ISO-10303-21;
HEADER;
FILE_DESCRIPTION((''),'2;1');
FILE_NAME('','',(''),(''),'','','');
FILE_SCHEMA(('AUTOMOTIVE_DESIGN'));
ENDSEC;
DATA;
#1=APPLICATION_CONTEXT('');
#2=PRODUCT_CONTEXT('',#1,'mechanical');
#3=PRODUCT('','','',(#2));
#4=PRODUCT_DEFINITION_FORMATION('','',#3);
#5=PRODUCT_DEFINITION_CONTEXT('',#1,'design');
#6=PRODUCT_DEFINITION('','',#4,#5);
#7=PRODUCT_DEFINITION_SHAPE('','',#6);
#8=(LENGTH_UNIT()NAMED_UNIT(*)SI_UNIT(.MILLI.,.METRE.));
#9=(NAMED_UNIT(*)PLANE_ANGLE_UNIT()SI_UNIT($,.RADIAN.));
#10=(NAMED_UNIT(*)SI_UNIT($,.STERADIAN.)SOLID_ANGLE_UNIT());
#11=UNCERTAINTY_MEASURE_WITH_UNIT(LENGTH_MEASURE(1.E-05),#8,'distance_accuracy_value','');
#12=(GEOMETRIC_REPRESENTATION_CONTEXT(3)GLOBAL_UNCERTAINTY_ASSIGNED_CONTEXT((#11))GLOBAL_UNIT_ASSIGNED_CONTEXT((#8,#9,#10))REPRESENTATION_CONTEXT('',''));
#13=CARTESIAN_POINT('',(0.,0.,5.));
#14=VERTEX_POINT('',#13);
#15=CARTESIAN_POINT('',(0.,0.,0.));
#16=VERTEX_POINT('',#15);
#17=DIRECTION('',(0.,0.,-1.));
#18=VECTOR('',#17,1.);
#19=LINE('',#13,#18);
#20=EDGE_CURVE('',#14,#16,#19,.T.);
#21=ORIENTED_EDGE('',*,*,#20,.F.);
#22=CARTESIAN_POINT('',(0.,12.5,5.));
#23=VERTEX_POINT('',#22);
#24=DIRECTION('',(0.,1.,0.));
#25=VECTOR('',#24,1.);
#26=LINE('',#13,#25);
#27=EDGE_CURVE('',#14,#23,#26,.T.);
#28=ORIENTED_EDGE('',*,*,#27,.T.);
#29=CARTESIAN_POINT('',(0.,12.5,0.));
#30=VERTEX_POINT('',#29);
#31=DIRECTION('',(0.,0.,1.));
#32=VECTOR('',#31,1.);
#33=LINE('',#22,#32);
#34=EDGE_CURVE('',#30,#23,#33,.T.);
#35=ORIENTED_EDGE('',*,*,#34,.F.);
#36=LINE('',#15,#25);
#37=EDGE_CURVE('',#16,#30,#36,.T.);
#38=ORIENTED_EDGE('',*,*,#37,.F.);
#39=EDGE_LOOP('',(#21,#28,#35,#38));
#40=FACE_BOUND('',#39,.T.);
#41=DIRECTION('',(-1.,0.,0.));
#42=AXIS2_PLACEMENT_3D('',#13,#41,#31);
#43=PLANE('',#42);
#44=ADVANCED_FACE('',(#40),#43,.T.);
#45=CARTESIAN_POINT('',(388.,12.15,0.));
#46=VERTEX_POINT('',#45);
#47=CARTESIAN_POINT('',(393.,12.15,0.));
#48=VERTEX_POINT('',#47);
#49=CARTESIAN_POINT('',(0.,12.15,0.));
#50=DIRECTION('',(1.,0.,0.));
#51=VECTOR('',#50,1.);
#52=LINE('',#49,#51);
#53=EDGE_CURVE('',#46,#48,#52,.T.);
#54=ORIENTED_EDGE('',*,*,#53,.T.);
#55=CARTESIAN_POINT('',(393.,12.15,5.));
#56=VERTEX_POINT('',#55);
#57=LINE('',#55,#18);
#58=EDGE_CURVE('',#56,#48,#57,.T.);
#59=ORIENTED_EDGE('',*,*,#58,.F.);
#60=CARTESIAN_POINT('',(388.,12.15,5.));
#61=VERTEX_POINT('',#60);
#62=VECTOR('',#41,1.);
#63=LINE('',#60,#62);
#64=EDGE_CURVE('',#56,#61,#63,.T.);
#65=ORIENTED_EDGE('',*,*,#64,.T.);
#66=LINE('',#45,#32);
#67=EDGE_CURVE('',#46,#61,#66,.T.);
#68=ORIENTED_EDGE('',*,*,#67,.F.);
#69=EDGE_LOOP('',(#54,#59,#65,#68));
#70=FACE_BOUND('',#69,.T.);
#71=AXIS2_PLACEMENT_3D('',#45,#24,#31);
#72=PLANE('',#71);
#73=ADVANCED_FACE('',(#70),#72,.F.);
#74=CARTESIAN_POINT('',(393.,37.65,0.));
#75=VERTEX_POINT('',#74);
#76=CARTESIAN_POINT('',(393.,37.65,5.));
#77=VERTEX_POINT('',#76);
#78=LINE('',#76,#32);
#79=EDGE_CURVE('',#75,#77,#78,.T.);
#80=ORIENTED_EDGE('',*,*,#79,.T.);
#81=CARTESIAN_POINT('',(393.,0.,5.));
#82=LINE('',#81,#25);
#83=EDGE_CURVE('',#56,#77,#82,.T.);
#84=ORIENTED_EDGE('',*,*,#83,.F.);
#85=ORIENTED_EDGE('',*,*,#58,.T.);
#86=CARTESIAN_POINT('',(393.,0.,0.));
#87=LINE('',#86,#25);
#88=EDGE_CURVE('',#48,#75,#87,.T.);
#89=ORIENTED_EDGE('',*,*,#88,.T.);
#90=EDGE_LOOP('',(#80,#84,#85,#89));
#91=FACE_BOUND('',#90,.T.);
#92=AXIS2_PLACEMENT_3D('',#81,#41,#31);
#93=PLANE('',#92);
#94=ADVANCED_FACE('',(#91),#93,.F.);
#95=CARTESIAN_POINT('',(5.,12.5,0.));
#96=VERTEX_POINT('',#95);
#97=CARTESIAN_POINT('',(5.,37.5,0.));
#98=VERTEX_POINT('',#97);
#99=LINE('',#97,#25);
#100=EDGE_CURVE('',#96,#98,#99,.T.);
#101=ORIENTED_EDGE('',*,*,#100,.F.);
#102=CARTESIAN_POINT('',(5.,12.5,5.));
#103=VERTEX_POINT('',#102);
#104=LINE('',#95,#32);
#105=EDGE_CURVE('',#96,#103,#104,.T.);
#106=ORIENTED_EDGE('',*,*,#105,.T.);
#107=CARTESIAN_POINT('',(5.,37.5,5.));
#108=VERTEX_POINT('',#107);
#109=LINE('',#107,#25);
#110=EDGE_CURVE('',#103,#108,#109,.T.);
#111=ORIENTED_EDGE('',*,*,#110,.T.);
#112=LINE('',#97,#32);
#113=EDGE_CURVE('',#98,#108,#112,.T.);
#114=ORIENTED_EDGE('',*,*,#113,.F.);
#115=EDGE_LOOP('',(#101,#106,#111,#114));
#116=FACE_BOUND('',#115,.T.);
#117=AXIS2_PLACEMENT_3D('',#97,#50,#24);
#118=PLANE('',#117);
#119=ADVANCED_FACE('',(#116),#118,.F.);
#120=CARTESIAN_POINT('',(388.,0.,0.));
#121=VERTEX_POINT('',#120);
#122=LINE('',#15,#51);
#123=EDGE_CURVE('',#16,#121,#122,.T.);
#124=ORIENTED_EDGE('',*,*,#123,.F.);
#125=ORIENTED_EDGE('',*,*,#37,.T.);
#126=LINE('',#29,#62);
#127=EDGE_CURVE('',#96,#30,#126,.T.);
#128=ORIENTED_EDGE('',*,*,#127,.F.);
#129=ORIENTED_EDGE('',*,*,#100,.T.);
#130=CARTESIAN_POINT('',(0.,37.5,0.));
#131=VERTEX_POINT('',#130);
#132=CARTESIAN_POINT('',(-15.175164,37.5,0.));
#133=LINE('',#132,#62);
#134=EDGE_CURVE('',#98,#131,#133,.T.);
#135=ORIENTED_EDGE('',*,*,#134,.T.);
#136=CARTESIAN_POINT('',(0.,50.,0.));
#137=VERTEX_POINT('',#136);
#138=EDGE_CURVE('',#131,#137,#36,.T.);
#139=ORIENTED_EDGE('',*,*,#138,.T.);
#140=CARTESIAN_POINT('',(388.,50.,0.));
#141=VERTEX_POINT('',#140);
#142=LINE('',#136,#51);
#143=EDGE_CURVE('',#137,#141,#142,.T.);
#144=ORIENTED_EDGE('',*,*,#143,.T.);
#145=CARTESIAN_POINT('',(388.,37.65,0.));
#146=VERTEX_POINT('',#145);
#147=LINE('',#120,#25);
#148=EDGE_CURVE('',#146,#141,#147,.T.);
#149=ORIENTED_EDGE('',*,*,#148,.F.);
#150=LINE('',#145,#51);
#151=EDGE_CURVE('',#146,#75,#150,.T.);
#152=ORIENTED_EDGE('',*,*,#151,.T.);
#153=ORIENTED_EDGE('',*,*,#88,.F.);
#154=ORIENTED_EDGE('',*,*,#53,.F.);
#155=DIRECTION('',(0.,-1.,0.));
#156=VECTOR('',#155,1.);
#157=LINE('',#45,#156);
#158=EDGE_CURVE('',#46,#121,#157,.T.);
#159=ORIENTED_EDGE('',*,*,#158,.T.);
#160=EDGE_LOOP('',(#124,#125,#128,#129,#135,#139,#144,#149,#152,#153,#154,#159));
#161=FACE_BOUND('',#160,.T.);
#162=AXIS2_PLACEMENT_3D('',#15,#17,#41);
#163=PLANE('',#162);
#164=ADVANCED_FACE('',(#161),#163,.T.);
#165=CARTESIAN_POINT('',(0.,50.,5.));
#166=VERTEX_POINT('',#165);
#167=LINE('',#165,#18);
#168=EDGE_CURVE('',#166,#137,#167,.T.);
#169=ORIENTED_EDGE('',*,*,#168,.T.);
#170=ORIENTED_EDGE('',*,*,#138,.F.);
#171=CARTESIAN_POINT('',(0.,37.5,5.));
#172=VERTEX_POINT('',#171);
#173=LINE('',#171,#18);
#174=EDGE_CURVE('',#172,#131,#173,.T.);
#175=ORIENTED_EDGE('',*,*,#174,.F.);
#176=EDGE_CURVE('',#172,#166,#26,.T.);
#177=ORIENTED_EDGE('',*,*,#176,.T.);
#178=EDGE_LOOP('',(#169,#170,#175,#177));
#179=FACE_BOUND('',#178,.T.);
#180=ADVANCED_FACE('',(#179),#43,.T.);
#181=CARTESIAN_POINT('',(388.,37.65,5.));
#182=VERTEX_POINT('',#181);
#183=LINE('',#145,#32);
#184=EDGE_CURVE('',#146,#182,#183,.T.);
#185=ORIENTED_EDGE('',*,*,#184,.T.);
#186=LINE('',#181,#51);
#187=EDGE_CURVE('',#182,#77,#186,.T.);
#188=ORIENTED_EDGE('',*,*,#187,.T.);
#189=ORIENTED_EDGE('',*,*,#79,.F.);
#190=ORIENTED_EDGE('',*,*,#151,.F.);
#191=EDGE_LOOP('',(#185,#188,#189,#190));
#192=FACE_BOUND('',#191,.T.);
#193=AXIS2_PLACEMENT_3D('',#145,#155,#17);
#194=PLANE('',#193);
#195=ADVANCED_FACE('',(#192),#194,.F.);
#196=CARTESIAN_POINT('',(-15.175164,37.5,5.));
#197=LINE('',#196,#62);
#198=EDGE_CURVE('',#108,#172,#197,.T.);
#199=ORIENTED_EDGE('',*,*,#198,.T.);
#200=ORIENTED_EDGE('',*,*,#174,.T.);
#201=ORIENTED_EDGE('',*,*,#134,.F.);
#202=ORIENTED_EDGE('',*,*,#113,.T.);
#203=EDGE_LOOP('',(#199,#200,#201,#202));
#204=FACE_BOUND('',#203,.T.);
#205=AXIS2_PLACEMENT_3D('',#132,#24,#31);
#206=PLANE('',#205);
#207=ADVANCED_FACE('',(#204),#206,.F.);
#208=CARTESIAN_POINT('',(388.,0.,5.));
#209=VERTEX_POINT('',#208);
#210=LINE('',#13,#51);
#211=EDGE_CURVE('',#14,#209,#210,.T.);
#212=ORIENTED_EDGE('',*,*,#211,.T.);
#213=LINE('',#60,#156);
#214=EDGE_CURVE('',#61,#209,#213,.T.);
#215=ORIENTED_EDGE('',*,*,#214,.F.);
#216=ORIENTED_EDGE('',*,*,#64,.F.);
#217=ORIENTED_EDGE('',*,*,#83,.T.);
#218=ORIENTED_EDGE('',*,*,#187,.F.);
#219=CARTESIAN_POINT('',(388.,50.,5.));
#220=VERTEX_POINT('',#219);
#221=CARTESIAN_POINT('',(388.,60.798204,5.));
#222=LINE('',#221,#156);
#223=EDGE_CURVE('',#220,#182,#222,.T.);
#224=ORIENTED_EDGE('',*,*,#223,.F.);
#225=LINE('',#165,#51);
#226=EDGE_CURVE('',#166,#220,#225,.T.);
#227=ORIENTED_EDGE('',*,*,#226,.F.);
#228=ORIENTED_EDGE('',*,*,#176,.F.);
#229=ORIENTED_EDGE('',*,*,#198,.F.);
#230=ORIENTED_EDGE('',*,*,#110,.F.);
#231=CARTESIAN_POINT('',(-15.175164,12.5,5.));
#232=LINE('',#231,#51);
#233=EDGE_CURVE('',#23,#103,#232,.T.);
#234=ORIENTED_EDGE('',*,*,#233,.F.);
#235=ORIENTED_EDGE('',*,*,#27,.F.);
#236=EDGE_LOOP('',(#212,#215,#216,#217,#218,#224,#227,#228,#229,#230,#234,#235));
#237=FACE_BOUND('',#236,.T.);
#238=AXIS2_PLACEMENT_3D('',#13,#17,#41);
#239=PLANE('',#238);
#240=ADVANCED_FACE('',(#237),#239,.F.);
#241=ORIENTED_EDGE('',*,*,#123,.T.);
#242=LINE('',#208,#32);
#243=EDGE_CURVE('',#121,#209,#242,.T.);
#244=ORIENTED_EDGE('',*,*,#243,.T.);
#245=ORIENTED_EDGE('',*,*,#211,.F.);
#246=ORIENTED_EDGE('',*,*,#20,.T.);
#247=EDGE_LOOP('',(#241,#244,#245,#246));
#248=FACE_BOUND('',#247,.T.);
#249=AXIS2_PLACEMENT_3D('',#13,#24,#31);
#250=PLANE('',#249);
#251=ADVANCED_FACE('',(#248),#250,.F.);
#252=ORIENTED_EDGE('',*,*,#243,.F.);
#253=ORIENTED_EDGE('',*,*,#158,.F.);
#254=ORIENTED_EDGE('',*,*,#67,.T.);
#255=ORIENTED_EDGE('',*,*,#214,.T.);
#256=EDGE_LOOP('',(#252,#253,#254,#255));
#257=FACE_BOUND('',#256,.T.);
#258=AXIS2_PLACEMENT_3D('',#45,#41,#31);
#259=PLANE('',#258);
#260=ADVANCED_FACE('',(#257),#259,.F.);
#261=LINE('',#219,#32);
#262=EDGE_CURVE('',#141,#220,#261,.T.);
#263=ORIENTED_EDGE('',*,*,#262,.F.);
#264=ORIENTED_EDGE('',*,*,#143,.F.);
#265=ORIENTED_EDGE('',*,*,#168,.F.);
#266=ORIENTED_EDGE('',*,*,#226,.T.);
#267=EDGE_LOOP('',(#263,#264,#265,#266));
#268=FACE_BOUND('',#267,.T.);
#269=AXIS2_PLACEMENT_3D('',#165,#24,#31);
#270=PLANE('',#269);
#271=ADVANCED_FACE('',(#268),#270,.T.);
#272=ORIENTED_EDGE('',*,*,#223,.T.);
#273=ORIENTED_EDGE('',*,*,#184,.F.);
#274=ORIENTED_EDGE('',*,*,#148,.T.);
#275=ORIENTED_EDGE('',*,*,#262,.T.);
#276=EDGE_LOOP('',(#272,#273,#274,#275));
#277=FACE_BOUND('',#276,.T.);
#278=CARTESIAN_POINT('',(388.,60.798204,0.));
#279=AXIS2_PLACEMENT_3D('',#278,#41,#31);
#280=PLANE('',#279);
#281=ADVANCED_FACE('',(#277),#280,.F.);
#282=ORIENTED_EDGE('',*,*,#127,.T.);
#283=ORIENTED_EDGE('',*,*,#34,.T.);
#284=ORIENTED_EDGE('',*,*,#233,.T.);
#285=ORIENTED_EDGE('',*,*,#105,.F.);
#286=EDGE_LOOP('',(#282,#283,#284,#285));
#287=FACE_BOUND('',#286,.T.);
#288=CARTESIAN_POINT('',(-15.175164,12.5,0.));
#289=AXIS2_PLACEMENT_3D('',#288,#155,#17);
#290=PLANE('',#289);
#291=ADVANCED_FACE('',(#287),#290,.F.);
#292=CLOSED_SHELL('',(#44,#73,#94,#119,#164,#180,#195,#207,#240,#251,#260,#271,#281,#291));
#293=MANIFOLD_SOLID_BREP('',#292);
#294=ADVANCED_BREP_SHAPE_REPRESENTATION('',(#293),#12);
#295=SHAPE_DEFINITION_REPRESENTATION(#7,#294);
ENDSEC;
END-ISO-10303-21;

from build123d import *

# Parameters (mm, degrees)
SKIZZE1_W                       = 393
SKIZZE1_H                       = 50
AUFSATZ_LINEAR_AUSTRAGEN1_DEPTH = 5
SKIZZE2_W                       = 20.175163774
SKIZZE2_H                       = 25
SKIZZE2_W_2                     = 52.958840799
SKIZZE2_H_2                     = 23.148204483
SKIZZE2_W_3                     = 30.907763727
SKIZZE2_H_3                     = 57.768234338
SCHNITT_LINEAR_AUSTRAGEN1_DEPTH = 5


with BuildPart() as part:
    # Skizze1 → Aufsatz-Linear austragen1 (new body)
    with BuildSketch(Plane.XY):
        with Locations((196.5, 25)):
            Rectangle(SKIZZE1_W, SKIZZE1_H)
    extrude(amount=AUFSATZ_LINEAR_AUSTRAGEN1_DEPTH)

    # Skizze2 → Schnitt-Linear austragen1 (cut)
    with BuildSketch(Plane.XY.offset(5)):
        with Locations((-5.087581887, 25)):
            Rectangle(SKIZZE2_W, SKIZZE2_H)
        with Locations((414.479420399, 49.224102242)):
            Rectangle(SKIZZE2_W_2, SKIZZE2_H_2)
        with Locations((403.453881863, -16.734117169)):
            Rectangle(SKIZZE2_W_3, SKIZZE2_H_3)
    extrude(amount=-SCHNITT_LINEAR_AUSTRAGEN1_DEPTH, mode=Mode.SUBTRACT)


solid = part.part
